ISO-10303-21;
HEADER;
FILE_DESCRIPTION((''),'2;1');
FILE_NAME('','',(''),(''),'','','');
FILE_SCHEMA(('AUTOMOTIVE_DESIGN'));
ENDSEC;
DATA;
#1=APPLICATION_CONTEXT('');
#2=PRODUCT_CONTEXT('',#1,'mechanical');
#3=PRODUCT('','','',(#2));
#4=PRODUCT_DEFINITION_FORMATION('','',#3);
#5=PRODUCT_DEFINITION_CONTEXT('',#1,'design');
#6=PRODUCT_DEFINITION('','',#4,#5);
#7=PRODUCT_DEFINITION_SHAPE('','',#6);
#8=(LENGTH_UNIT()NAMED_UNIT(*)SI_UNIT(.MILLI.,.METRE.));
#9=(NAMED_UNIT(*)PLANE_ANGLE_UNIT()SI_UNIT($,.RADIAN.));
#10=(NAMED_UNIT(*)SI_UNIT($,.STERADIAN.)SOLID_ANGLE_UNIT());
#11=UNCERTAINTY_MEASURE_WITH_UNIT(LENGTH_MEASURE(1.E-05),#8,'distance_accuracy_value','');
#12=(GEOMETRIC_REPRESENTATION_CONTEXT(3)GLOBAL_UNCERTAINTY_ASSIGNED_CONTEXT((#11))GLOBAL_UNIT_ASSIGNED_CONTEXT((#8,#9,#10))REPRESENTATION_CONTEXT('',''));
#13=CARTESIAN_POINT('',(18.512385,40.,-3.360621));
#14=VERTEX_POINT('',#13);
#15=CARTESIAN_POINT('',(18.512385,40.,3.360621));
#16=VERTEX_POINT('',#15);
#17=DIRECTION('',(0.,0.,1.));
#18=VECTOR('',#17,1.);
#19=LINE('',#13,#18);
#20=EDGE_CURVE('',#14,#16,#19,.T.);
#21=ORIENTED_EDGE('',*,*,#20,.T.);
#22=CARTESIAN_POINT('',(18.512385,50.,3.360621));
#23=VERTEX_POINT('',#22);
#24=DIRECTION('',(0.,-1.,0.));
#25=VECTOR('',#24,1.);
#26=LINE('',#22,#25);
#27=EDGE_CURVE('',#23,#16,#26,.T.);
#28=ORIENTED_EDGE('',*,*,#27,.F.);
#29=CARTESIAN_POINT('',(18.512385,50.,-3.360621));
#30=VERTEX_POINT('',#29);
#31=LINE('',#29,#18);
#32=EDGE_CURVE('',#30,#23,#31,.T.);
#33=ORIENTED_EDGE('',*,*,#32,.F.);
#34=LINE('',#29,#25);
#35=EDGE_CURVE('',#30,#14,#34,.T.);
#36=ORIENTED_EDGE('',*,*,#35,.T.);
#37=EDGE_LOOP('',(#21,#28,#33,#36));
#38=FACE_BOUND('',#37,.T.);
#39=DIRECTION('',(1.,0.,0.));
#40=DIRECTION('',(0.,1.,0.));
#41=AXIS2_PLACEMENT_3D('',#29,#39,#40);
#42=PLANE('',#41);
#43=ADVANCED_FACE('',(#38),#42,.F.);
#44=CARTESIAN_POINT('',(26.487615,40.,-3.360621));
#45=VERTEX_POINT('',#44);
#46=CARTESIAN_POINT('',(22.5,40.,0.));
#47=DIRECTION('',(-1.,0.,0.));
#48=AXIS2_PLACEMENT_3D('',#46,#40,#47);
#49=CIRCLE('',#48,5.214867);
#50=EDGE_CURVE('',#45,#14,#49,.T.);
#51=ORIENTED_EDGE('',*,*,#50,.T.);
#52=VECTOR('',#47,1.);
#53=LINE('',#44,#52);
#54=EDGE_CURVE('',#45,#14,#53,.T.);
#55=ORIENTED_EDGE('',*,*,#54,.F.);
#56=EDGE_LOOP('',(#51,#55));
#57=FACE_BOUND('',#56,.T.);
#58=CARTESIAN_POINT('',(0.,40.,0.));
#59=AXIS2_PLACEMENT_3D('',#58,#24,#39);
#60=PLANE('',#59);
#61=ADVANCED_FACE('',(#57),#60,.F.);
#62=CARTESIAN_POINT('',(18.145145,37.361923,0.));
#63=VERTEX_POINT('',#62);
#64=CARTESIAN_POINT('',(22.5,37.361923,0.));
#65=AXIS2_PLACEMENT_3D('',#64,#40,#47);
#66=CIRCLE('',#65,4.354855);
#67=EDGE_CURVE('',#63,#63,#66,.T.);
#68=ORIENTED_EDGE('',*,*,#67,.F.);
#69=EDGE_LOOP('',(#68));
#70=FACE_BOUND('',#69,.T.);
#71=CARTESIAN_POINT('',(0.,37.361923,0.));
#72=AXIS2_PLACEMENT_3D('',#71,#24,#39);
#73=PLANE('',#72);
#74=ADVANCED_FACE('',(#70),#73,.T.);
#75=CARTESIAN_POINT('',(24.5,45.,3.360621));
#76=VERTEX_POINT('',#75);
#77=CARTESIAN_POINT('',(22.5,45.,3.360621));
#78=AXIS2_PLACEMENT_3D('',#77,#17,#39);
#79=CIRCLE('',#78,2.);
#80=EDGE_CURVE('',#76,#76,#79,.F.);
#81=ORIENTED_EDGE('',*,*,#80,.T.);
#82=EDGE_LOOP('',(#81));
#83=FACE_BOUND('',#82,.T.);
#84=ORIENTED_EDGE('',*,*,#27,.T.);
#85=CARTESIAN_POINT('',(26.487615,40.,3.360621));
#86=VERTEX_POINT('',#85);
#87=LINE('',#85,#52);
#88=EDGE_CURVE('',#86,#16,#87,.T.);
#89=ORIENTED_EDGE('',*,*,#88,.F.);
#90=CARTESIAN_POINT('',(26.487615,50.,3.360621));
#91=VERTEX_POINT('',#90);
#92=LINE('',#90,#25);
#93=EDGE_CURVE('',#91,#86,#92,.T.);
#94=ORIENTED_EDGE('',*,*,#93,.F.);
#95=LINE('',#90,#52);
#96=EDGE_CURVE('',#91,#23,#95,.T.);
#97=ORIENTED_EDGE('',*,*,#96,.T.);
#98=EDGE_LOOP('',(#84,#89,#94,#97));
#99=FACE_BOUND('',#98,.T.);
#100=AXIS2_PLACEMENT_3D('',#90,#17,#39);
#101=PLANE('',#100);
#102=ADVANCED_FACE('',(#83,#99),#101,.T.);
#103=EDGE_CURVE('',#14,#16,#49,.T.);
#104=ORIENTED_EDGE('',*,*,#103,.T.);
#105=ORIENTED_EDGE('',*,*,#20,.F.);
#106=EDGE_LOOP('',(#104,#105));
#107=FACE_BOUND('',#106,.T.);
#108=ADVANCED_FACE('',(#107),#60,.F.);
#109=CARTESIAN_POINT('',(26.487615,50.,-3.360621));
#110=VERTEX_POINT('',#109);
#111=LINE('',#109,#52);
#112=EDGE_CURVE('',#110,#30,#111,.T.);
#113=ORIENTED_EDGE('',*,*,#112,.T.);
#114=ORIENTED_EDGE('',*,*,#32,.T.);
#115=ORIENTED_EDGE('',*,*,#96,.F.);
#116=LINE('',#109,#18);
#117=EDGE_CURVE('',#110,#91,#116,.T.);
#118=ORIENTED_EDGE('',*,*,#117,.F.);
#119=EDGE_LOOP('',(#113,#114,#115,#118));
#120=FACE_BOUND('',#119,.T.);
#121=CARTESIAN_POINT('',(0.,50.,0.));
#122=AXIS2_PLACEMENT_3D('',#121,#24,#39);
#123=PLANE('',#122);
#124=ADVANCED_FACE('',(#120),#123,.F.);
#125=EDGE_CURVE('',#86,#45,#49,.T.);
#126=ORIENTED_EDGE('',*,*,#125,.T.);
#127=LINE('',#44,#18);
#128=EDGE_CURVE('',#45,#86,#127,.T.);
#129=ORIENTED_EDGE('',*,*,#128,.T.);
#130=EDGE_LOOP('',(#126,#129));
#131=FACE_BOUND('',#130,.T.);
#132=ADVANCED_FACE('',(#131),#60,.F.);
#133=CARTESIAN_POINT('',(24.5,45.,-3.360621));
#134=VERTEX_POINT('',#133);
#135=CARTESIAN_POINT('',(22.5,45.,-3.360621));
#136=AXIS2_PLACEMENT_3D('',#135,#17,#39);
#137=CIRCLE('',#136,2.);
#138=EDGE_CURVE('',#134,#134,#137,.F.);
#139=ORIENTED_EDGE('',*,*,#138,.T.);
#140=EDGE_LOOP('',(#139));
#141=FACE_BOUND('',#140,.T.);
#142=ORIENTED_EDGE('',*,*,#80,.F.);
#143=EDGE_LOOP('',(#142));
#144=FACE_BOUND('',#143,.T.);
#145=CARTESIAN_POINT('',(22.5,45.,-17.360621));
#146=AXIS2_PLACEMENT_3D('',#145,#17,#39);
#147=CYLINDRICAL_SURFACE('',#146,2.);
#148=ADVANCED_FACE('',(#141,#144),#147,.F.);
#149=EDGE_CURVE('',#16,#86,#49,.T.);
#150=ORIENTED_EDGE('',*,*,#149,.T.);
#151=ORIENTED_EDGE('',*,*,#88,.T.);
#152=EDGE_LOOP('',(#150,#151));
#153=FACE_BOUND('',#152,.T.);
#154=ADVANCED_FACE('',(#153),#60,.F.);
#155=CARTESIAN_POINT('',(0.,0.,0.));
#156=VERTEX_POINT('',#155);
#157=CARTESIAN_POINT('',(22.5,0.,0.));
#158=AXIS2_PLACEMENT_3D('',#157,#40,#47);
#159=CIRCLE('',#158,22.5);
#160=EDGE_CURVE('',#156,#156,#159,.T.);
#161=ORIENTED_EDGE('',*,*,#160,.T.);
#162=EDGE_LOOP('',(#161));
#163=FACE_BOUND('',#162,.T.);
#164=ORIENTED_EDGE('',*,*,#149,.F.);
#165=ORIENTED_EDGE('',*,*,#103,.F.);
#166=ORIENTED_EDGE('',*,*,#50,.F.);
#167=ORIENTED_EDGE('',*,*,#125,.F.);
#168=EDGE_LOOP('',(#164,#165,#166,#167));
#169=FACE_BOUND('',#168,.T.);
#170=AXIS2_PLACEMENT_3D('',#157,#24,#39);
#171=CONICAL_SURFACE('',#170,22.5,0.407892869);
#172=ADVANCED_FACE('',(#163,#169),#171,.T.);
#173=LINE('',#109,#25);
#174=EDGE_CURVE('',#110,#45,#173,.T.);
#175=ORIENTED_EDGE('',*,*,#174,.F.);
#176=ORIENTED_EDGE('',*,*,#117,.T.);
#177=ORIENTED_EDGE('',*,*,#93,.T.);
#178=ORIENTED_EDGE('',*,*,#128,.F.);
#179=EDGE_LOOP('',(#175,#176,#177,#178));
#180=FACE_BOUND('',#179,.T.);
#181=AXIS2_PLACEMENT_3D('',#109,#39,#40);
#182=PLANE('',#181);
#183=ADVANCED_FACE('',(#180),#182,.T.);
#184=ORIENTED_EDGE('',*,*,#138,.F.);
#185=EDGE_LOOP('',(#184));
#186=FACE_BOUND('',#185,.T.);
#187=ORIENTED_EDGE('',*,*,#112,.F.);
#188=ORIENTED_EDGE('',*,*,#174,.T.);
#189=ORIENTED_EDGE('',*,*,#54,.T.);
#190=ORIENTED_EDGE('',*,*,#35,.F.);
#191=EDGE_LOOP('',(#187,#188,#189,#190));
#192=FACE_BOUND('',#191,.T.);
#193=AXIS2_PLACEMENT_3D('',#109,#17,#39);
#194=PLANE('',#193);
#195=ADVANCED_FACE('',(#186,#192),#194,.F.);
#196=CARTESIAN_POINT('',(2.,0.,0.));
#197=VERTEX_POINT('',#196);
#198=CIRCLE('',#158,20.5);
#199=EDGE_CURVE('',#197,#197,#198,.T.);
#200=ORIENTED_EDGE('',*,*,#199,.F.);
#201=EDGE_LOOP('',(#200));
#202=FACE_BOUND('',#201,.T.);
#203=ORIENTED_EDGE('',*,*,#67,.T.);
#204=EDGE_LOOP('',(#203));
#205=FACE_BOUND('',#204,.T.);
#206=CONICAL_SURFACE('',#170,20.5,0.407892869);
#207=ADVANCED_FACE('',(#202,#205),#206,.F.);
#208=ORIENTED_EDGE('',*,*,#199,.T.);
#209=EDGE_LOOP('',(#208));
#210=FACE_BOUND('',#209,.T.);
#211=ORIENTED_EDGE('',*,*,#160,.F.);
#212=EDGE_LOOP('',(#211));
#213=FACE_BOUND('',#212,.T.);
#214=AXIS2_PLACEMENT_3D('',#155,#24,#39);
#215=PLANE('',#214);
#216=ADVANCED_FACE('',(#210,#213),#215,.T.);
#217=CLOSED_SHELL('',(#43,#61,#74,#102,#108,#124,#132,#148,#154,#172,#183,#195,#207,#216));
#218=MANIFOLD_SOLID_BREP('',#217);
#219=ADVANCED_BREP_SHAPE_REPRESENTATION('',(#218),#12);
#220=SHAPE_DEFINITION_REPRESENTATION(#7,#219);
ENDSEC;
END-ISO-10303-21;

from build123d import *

# Parameters (mm, degrees)
ESQUISSE2_W                  = 7.975229024
ESQUISSE2_H                  = 6.721241558
BOSS_EXTRU_1_DEPTH           = 10
ENL_V_MAT_EXTRU_1_DEPTH      = 14
ENL_V_MAT_EXTRU_1_DEPTH_BACK = 13


with BuildPart() as part:
    # Esquisse1 → Révolution1 (revolve)
    with BuildSketch(Plane.XY):
        Polygon((17.285132647, 40), (19.285132647, 40), (2, 0), (0, 0), align=None)
        Polygon((19.285132647, 40), (18.145144725, 37.361922653), (22.5, 37.361922653), (22.5, 40), align=None)
    revolve(axis=Axis((22.5, 40, 0), (0, -1, 0)))

    # Esquisse2 → Boss.-Extru.1 (add)
    with BuildSketch(Plane(origin=(0, 40, 0), x_dir=(1, 0, 0), z_dir=(0, 1, 0))):
        with Locations((22.5, 0)):
            Rectangle(ESQUISSE2_W, ESQUISSE2_H)
    extrude(amount=BOSS_EXTRU_1_DEPTH)

    # Esquisse3 → Enlèv. mat.-Extru.1 (cut, two sides)
    with BuildSketch(Plane(origin=(0, 0, -3.360620779), x_dir=(-1, 0, 0), z_dir=(0, 0, -1))) as enl_v_mat_extru_1_sk:
        with BuildLine():
            ThreePointArc((-20.5, 45), (-22.5, 47), (-24.5, 45))
            Line((-24.5, 45), (-20.5, 45))
        make_face()
        with BuildLine():
            Line((-20.5, 45), (-24.5, 45))
            ThreePointArc((-24.5, 45), (-22.5, 43), (-20.5, 45))
        make_face()
    extrude(amount=ENL_V_MAT_EXTRU_1_DEPTH, mode=Mode.SUBTRACT)
    extrude(enl_v_mat_extru_1_sk.sketch, amount=-ENL_V_MAT_EXTRU_1_DEPTH_BACK, mode=Mode.SUBTRACT)


solid = part.part
